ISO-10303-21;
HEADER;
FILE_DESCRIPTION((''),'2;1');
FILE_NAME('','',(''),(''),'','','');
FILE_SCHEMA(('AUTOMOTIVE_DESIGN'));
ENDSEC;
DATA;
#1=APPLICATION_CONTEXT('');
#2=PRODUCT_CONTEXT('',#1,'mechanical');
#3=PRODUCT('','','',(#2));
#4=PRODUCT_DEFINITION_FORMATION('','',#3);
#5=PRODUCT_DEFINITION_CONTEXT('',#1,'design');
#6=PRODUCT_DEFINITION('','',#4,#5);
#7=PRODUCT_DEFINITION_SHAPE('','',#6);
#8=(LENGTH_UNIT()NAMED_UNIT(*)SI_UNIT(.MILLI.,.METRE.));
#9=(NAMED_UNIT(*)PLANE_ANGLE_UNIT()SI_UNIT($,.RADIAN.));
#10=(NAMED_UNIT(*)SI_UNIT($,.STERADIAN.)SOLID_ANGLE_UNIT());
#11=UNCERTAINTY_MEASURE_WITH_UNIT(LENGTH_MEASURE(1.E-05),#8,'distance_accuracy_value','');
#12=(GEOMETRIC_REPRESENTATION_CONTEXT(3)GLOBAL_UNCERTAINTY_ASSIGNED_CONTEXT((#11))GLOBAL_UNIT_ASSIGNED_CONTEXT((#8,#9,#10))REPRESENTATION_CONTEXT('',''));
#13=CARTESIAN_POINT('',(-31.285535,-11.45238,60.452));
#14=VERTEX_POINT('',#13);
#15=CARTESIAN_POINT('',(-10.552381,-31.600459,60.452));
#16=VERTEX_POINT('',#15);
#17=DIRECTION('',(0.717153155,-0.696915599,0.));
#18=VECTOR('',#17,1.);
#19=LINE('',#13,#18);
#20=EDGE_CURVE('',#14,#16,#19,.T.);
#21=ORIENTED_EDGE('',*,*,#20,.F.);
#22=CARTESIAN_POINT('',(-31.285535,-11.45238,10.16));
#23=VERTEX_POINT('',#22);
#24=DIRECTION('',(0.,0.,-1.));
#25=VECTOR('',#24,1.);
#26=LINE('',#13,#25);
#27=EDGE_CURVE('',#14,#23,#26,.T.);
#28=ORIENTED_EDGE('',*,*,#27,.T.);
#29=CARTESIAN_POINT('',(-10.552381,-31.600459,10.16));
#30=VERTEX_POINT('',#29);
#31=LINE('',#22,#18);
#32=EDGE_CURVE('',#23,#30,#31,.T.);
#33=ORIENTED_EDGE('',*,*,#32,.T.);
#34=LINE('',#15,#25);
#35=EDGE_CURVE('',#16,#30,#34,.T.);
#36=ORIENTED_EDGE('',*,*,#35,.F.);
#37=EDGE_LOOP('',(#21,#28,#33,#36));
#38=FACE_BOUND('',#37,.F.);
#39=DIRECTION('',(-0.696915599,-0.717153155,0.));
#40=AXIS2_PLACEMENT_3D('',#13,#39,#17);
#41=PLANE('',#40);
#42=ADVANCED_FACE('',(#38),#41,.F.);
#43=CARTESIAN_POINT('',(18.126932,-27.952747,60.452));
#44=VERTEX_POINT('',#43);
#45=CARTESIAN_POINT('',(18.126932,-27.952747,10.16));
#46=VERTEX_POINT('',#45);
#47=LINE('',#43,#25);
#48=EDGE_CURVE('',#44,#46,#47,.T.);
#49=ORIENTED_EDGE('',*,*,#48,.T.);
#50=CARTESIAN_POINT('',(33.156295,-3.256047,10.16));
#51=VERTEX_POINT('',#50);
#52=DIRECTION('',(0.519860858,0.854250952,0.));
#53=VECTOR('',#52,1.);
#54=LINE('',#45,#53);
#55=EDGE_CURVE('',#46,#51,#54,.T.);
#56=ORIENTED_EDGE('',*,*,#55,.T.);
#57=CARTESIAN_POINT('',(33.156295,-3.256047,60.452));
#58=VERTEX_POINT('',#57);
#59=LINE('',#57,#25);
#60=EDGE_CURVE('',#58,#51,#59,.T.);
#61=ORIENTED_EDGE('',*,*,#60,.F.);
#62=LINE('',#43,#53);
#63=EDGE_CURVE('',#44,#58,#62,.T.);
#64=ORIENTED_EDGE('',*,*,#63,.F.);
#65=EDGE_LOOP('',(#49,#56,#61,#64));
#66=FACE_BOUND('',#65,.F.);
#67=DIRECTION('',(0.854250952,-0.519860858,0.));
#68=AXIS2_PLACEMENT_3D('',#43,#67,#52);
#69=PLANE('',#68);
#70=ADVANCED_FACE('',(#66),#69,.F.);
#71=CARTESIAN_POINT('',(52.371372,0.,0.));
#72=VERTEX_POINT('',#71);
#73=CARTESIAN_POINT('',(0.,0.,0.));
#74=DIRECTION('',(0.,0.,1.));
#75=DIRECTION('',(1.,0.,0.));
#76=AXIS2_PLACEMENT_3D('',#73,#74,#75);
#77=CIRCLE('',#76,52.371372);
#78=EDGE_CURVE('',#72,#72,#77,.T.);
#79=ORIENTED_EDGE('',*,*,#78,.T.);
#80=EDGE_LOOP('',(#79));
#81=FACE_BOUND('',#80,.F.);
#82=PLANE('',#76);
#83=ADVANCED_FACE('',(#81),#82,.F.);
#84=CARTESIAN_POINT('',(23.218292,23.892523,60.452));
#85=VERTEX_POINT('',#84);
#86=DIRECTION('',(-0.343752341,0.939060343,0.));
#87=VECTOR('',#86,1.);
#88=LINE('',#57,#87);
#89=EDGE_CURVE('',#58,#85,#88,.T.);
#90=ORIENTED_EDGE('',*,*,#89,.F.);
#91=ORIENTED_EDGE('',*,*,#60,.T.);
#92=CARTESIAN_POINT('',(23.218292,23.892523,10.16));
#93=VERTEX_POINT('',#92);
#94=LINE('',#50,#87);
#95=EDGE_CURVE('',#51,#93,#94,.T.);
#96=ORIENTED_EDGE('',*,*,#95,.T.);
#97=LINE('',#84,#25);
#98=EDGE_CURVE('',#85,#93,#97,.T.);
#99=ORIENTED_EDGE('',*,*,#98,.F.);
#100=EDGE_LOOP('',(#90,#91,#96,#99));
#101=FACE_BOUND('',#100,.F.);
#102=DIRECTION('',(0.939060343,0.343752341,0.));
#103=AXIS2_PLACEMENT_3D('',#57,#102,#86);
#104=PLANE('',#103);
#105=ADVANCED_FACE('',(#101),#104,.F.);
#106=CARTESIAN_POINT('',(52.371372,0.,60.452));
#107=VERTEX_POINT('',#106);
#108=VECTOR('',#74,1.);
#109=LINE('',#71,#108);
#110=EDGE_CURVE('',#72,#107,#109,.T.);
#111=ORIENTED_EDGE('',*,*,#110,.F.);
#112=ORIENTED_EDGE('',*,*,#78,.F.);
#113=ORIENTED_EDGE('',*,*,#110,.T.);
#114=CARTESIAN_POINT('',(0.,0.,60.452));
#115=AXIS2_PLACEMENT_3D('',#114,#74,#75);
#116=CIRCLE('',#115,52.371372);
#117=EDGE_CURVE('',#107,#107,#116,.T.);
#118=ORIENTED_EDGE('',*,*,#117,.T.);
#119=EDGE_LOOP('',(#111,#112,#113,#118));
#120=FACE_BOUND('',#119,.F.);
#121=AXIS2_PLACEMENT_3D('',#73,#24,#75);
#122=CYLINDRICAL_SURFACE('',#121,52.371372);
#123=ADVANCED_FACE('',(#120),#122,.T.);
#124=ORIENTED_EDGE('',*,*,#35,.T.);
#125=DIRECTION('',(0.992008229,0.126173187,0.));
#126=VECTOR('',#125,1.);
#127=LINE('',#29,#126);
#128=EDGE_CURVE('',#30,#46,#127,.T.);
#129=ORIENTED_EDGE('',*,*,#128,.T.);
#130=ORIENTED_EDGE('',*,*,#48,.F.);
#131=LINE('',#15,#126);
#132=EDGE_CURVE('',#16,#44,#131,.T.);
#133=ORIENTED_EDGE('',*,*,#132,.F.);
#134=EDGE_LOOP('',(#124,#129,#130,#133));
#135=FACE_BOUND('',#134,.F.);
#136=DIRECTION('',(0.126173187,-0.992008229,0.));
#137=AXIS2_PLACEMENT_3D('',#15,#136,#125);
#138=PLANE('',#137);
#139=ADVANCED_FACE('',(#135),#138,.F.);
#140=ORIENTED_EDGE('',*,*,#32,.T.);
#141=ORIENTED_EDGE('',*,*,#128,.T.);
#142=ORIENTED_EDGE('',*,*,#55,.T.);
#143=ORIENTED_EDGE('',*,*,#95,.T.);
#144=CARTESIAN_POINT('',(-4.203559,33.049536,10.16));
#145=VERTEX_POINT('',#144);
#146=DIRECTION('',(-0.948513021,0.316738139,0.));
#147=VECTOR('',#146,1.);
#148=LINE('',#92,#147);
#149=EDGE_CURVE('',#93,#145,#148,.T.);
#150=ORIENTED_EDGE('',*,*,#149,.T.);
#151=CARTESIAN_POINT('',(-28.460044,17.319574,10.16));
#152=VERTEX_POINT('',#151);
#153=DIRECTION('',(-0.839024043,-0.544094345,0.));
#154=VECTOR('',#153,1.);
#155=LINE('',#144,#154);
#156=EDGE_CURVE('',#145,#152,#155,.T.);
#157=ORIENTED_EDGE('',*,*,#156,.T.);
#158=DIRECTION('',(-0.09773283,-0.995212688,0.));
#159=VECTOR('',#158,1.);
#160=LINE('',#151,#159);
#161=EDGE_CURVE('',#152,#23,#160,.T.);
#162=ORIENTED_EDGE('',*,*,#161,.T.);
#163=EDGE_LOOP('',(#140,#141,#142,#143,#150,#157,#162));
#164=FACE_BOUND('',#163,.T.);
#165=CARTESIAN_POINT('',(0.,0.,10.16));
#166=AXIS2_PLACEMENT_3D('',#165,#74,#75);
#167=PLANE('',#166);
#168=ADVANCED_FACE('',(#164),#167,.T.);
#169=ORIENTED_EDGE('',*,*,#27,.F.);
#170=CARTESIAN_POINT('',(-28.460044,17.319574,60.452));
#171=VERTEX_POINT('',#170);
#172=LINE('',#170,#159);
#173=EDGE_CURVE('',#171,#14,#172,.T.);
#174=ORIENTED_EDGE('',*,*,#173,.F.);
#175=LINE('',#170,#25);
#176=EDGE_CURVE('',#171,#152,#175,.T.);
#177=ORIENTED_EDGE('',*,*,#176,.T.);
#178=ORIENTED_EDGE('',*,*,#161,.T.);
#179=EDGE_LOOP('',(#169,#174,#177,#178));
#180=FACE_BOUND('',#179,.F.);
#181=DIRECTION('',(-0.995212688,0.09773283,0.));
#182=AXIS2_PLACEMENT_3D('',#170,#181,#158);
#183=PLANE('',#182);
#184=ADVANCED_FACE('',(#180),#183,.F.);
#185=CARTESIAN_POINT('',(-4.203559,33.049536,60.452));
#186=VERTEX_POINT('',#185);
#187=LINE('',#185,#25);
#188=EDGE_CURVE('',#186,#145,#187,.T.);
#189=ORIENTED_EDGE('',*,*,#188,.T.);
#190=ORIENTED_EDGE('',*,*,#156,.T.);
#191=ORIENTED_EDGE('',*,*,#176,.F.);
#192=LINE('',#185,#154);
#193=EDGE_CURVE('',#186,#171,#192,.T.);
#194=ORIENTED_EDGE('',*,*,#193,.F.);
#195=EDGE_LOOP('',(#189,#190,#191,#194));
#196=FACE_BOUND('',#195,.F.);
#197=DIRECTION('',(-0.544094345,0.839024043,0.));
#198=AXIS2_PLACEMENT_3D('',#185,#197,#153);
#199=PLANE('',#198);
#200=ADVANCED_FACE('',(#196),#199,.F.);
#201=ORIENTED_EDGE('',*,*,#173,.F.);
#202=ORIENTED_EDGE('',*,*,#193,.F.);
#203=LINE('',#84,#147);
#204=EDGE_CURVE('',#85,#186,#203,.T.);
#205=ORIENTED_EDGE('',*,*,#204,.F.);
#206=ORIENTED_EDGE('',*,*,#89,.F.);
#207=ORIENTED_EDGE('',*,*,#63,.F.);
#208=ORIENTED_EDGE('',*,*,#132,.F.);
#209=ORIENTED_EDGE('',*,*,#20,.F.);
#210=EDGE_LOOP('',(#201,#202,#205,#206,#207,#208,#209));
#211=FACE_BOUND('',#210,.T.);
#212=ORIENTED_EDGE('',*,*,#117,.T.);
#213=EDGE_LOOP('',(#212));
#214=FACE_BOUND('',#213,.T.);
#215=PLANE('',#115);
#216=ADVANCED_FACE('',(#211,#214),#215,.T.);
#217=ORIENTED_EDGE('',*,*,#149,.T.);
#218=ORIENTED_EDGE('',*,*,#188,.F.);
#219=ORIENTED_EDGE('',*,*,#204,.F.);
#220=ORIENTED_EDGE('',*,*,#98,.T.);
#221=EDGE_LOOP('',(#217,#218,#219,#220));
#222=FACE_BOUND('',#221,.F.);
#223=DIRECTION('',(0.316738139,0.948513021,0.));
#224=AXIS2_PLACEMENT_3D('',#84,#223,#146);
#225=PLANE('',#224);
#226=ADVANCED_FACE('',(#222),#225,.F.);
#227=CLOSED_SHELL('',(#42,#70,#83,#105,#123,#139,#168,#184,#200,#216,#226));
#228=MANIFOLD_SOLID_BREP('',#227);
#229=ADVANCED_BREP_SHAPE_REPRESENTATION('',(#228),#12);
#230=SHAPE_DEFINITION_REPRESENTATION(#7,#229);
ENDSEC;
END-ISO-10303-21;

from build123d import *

# Parameters (mm, degrees)
F0_R     = 52.371372
F1_DEPTH = 60.452
F3_DEPTH = 50.292


with BuildPart() as f1:
    # F0 (on Top) → F1 (new body)
    with BuildSketch(Plane.XY):
        Circle(F0_R)
    extrude(amount=F1_DEPTH)

    # F2 (on face) → F3 (cut)
    with BuildSketch(Plane.XY.offset(60.452)):
        Polygon((-4.203559, 33.049536), (-28.460044, 17.319574), (-31.285535, -11.45238), (-10.552381, -31.600459), (18.126932, -27.952747), (33.156295, -3.256047), (23.218292, 23.892523), align=None)
    extrude(amount=-F3_DEPTH, mode=Mode.SUBTRACT)


solid = f1.part
